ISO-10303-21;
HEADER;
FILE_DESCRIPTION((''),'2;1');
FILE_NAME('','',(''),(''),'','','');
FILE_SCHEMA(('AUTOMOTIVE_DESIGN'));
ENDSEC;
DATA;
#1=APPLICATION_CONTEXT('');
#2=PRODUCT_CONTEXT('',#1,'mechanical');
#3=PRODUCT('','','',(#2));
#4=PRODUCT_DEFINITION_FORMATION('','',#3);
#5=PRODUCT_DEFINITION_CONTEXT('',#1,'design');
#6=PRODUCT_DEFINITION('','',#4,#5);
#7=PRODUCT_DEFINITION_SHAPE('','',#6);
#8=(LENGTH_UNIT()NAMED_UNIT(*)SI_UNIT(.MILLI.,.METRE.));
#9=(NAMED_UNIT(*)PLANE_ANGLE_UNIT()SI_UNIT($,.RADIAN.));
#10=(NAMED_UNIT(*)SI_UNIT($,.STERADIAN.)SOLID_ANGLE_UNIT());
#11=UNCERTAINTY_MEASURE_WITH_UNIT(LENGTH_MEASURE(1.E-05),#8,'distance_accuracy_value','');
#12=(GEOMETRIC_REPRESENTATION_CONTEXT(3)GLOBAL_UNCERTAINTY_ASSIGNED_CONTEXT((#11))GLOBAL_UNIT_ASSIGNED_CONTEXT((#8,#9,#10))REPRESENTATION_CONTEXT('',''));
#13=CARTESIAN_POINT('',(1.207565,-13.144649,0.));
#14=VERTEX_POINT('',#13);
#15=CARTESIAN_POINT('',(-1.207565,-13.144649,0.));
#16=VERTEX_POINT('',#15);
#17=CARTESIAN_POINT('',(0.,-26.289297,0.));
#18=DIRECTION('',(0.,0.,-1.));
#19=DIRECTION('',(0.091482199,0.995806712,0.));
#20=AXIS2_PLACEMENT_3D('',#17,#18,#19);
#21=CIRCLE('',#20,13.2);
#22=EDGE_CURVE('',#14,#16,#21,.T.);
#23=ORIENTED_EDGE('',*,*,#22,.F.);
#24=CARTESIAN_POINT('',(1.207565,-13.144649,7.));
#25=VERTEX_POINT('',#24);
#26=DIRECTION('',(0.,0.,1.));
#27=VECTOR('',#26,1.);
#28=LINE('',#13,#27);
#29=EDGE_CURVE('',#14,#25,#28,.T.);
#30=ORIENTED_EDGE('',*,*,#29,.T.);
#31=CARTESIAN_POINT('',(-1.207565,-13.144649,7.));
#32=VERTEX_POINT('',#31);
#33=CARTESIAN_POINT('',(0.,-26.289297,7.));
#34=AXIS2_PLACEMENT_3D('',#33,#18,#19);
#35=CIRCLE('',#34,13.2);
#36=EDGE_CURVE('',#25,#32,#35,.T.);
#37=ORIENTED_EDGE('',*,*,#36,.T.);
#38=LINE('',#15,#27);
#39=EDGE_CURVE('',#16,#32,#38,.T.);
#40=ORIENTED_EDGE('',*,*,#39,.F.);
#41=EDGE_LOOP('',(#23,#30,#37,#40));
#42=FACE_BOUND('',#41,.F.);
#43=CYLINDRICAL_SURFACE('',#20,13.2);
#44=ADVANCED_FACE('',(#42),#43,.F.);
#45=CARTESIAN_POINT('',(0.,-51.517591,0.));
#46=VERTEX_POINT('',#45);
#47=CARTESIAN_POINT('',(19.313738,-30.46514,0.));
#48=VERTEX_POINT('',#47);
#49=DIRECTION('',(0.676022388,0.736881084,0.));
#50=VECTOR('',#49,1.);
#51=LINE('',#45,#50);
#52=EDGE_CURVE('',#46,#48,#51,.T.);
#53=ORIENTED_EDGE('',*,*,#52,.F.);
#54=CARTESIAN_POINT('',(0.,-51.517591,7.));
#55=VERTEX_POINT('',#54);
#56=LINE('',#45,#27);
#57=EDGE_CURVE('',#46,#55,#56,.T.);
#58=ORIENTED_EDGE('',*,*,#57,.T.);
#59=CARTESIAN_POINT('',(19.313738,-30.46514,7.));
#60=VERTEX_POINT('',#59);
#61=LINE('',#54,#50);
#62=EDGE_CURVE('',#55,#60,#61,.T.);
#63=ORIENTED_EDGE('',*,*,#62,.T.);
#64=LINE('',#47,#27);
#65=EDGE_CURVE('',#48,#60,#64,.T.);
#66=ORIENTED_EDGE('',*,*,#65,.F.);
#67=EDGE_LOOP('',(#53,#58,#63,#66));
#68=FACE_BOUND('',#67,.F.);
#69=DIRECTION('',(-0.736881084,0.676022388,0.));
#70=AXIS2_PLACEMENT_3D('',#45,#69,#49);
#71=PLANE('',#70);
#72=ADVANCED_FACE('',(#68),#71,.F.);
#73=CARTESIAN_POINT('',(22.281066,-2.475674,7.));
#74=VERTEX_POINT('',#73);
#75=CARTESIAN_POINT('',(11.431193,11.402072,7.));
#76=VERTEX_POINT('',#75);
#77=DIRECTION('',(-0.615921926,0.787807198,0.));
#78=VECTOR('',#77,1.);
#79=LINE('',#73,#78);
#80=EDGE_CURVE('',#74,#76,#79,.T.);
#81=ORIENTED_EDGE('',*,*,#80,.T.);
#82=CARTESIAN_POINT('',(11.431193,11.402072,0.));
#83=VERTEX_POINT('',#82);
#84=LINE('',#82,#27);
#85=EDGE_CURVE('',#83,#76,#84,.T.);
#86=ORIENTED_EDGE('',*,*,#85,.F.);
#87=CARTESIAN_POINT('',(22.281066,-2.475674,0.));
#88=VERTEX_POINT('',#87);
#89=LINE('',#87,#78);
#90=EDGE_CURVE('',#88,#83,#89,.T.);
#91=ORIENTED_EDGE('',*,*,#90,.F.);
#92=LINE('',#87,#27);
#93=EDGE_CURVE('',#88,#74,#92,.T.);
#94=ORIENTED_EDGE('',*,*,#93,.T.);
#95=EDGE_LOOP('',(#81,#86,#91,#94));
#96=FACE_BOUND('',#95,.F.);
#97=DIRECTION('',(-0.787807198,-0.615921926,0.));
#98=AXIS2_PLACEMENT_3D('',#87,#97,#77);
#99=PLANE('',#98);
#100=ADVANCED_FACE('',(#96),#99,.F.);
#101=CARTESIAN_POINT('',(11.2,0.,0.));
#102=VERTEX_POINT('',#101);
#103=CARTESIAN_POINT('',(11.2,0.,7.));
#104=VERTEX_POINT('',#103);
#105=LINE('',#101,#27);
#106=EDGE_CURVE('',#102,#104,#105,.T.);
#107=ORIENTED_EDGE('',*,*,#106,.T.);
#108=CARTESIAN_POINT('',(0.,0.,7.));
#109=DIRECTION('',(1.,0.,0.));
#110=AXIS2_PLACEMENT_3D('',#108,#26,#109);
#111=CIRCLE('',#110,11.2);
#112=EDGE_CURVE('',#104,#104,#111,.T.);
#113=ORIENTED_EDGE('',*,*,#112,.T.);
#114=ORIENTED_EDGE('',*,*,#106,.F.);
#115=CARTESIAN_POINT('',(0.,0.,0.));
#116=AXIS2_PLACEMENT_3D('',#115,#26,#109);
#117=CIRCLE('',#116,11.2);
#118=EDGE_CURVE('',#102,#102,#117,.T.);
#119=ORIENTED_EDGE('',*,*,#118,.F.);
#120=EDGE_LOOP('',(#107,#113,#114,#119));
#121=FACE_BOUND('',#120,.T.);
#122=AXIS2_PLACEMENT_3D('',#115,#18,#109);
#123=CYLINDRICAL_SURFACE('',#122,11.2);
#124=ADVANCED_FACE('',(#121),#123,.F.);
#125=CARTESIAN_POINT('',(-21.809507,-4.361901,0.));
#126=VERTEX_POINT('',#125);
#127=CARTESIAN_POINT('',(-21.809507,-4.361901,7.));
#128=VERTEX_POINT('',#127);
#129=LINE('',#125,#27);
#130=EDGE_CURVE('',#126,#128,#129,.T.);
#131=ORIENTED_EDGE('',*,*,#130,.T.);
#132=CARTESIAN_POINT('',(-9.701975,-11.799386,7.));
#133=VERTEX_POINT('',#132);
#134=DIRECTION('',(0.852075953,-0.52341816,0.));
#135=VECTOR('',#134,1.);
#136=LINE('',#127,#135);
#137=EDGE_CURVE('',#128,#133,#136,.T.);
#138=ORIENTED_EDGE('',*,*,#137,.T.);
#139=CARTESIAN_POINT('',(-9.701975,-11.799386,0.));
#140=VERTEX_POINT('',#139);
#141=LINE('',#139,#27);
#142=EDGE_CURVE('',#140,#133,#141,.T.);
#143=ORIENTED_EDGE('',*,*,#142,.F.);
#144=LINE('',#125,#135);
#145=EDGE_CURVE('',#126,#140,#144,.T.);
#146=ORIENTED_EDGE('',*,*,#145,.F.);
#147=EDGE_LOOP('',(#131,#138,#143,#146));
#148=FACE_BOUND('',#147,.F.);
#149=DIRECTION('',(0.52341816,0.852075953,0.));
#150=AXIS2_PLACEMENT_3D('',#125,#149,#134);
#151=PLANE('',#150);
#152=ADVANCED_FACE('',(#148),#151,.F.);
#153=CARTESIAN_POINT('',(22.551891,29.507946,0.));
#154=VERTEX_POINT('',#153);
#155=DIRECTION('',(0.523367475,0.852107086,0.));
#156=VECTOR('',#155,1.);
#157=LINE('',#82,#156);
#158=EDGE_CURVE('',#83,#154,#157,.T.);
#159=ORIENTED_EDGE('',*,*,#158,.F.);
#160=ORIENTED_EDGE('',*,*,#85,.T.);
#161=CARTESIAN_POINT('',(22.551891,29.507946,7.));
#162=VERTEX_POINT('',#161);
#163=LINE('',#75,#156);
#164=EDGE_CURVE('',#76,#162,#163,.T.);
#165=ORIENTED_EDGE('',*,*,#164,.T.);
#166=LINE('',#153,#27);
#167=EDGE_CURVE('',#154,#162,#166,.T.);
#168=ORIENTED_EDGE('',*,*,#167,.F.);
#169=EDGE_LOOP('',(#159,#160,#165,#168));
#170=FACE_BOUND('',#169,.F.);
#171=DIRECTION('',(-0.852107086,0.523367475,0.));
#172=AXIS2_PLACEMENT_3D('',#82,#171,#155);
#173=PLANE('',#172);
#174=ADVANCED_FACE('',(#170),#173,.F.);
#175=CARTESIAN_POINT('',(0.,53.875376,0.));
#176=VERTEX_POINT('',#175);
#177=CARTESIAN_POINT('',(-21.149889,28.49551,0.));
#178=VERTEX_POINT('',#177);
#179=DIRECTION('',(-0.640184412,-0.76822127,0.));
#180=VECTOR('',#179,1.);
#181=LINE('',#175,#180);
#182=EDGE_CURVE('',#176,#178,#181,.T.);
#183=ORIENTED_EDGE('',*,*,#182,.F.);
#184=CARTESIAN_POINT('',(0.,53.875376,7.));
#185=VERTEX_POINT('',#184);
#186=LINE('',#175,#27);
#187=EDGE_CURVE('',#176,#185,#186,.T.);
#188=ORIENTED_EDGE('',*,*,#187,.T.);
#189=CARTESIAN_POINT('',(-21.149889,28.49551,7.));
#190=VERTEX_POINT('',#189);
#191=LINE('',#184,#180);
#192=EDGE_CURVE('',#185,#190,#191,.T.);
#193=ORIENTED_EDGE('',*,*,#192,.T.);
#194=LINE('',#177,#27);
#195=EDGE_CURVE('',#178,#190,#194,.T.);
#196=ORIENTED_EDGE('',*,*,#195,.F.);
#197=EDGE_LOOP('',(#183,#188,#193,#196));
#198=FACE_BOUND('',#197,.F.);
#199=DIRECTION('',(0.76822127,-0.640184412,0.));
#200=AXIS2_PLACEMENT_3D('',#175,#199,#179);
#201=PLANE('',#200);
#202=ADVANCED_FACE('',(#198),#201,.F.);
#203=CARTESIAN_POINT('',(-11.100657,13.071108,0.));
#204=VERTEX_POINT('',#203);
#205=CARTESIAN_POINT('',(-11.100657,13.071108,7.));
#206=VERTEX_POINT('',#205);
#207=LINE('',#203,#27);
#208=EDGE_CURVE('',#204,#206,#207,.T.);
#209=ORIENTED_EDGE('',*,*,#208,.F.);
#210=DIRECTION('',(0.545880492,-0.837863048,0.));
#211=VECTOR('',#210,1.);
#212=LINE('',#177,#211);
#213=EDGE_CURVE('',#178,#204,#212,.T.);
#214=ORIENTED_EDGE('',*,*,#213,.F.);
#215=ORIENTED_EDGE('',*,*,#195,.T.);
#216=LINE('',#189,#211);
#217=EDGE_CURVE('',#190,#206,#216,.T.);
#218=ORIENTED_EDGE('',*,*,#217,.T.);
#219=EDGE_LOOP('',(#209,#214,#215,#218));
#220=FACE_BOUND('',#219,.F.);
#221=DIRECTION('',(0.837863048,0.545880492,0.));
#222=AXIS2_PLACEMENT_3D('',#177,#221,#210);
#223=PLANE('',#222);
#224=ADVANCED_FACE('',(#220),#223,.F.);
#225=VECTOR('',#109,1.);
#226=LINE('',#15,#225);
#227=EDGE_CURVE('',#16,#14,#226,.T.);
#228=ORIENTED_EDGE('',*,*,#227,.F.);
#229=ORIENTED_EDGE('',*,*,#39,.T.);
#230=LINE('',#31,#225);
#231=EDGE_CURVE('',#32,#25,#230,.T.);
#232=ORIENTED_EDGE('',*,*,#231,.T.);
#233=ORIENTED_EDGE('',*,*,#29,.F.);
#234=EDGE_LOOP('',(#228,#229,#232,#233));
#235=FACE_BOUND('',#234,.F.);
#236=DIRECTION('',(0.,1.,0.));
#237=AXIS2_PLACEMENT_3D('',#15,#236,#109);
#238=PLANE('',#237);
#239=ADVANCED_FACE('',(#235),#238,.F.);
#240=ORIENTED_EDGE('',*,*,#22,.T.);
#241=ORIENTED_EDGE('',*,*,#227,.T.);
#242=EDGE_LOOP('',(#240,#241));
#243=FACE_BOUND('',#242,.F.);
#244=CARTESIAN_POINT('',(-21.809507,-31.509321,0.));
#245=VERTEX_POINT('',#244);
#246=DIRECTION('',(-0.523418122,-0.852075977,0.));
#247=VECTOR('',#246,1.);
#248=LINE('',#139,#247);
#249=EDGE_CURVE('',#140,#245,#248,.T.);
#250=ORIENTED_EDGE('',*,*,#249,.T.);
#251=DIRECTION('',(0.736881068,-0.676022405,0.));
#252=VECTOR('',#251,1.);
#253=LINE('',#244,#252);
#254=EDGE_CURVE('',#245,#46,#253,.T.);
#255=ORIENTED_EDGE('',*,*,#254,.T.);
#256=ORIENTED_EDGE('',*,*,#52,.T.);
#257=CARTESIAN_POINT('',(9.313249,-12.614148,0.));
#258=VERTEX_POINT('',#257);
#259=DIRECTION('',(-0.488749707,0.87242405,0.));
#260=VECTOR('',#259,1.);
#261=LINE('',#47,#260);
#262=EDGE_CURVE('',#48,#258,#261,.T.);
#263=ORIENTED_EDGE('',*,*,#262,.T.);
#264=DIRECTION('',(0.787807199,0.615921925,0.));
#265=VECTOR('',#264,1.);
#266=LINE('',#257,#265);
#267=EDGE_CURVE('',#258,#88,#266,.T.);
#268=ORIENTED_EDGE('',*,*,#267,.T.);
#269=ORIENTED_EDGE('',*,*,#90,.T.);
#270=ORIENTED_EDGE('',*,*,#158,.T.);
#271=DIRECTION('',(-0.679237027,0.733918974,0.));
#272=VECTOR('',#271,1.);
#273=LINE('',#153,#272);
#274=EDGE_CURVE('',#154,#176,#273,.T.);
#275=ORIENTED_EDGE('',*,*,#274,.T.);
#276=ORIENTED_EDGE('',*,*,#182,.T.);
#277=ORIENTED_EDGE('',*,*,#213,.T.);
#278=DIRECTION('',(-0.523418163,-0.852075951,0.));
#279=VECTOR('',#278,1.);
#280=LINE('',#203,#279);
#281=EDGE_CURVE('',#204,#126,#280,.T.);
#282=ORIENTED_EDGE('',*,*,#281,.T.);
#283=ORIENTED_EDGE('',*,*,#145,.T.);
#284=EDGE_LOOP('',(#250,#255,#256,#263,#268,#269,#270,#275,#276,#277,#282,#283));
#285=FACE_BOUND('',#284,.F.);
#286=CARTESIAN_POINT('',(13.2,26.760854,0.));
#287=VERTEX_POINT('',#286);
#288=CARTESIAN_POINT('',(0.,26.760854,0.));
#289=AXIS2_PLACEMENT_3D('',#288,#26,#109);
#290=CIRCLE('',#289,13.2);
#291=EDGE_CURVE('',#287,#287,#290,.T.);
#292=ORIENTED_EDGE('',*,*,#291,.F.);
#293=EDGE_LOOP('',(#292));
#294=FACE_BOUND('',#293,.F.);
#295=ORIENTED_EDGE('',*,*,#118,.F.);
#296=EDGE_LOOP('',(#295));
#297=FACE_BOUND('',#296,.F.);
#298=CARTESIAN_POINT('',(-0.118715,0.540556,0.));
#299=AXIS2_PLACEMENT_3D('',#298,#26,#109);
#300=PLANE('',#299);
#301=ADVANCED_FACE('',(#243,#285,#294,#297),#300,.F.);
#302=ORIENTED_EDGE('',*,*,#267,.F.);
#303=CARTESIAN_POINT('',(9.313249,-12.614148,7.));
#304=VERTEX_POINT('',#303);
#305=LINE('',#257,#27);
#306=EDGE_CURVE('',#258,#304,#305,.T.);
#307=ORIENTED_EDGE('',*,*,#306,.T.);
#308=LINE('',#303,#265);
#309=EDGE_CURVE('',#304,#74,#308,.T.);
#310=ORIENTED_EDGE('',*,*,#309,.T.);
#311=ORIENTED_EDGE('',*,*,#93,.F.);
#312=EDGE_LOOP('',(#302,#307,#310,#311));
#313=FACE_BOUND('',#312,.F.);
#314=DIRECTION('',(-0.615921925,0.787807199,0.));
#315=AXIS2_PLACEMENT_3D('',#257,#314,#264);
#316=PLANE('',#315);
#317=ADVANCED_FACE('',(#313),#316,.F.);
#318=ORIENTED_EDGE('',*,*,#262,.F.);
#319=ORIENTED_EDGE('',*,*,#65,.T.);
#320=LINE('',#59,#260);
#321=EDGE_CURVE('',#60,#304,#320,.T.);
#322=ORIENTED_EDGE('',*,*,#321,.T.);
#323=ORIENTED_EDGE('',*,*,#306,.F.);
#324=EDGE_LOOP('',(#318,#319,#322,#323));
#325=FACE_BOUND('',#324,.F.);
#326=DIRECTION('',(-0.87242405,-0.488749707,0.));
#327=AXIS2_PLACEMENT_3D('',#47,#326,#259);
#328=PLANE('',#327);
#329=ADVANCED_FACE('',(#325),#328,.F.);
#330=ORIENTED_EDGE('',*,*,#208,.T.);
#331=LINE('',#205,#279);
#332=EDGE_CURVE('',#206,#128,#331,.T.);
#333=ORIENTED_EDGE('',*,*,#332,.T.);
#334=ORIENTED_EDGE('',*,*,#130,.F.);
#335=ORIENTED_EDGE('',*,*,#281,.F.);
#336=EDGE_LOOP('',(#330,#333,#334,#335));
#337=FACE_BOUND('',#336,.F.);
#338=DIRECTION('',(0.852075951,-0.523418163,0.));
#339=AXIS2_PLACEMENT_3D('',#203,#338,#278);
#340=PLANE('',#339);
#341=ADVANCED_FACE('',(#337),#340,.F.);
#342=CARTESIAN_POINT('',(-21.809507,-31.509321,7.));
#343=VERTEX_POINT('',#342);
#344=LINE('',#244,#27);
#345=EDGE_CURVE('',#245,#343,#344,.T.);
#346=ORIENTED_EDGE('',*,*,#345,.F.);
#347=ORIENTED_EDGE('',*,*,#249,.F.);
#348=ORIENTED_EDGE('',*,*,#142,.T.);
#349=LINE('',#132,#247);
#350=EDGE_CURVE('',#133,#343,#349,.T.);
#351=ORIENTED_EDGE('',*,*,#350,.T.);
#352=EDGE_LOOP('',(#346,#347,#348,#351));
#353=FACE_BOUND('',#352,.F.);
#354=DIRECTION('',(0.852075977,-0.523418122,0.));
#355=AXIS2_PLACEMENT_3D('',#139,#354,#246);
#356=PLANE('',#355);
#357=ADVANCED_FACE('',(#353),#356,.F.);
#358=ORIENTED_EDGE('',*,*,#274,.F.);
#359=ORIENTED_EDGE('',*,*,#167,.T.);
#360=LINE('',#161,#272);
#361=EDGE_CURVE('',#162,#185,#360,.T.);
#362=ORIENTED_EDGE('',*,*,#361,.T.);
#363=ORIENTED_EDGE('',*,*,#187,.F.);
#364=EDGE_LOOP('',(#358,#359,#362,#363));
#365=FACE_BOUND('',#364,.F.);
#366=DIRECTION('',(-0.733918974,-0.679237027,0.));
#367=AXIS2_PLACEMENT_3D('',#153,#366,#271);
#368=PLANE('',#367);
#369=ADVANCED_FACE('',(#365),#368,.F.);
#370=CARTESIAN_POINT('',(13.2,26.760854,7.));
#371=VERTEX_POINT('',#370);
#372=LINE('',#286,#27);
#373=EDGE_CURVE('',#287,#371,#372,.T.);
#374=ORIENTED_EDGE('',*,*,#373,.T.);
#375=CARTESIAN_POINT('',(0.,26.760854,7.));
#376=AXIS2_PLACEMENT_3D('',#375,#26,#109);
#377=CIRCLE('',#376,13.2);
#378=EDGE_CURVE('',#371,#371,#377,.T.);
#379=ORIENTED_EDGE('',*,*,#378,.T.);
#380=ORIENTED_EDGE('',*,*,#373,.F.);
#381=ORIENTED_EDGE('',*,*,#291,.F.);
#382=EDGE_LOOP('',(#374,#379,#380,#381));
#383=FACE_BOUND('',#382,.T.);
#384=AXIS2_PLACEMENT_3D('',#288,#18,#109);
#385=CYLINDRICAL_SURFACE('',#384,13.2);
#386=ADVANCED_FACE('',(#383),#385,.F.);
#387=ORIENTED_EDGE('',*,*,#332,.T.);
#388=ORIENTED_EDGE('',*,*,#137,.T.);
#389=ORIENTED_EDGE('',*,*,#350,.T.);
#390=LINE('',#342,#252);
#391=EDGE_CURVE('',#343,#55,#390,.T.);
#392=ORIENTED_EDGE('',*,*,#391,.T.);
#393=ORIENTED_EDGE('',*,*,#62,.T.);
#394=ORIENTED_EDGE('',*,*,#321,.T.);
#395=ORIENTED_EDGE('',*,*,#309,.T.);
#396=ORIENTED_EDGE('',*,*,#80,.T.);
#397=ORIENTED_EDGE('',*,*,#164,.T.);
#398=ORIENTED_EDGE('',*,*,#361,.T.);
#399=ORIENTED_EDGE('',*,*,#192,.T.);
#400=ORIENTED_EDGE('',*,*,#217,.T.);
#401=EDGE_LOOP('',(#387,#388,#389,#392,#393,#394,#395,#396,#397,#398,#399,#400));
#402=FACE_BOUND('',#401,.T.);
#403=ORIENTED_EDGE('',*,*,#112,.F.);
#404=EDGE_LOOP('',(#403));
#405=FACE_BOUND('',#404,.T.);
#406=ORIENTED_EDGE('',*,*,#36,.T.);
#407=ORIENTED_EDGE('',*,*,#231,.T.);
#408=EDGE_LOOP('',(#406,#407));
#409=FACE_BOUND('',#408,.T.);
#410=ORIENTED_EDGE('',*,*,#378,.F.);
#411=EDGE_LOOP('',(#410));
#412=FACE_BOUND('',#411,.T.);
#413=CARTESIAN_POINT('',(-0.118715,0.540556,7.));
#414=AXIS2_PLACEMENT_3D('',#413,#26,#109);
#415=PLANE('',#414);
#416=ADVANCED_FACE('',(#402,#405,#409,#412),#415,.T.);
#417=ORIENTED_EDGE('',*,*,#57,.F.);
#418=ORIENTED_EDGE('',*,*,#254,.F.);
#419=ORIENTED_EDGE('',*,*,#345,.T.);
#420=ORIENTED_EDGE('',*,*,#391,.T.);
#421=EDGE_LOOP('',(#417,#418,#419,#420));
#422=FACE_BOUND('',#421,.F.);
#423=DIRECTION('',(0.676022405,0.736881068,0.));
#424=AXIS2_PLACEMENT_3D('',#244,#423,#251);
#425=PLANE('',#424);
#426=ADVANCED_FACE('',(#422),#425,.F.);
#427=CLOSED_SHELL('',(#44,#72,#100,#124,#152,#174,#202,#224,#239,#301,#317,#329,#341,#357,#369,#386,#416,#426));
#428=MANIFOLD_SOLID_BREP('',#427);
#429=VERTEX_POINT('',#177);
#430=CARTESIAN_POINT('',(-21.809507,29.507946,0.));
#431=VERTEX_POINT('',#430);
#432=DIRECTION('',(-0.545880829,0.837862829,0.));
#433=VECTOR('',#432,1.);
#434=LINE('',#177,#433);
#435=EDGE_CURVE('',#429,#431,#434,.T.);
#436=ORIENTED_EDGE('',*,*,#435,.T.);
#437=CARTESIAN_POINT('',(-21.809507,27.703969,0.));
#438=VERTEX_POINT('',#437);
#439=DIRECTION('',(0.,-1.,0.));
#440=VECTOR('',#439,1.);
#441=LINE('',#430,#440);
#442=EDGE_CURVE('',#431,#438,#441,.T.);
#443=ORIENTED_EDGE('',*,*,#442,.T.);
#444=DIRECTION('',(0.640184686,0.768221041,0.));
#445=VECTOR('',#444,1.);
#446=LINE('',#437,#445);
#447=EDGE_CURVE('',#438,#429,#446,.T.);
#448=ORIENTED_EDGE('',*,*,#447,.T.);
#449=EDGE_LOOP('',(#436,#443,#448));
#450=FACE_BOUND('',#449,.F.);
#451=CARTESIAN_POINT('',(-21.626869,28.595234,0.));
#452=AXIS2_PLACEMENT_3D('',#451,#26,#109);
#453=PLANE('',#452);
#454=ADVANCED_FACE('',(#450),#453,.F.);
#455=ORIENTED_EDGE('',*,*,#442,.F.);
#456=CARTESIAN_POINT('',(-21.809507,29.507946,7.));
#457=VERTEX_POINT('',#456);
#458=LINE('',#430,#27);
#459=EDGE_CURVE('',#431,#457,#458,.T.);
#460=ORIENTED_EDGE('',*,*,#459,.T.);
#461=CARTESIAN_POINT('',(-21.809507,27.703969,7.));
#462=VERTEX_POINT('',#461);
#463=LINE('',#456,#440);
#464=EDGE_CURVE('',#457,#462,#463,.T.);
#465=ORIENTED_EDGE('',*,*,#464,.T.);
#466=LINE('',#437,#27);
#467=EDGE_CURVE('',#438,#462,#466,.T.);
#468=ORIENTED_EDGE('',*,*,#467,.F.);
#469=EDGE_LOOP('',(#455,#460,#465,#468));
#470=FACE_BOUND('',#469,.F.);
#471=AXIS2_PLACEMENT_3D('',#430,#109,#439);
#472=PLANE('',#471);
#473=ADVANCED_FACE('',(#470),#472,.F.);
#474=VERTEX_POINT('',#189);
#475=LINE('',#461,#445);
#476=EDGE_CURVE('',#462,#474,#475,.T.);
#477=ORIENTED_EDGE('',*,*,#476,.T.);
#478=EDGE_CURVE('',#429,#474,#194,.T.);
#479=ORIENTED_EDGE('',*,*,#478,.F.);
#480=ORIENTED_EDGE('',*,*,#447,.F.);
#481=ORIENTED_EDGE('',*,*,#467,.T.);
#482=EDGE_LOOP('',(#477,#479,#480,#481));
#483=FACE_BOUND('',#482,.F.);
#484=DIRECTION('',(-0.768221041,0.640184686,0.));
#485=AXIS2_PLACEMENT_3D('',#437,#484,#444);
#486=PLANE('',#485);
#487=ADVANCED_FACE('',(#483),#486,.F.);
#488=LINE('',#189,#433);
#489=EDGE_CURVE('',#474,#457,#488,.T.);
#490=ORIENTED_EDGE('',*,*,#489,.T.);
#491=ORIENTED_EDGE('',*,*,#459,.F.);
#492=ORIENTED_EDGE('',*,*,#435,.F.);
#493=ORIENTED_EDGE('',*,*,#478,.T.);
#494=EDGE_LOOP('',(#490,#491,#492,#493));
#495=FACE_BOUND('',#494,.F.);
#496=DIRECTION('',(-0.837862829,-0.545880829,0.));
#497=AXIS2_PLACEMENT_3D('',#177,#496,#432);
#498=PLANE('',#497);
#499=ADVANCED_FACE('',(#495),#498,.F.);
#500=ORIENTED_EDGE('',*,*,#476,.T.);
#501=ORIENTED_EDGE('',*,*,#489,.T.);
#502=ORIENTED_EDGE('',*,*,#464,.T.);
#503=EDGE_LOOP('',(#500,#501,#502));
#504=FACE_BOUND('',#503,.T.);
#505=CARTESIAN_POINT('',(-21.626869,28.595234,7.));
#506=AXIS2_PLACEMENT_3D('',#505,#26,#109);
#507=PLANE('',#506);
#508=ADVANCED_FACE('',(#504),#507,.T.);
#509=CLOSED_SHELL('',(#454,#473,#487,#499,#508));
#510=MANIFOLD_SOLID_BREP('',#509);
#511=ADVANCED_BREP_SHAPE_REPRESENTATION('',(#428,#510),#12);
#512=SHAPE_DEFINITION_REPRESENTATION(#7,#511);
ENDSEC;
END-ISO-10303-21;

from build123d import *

# Parameters (mm, degrees)
F0_R     = 11.2
F0_R_2   = 13.2
F1_DEPTH = 7


with BuildPart() as f1:
    # F0 (on Top) → F1 (new body)
    with BuildSketch(Plane.XY):
        Polygon((-21.149889, 28.49551), (-21.809507, 29.507946), (-21.809507, 27.703969), align=None)
        Polygon((0, 53.875376), (-21.149889, 28.49551), (-11.100657, 13.071108), (-21.809507, -4.361901), (-9.701975, -11.799386), (-21.809507, -31.509321), (0, -51.517591), (19.313738, -30.46514), (9.313249, -12.614148), (22.281066, -2.475674), (11.431193, 11.402072), (22.551891, 29.507946), align=None)
        with BuildLine():
            ThreePointArc((1.207565, -13.144649), (0, -39.489297), (-1.207565, -13.144649))
            Line((-1.207565, -13.144649), (1.207565, -13.144649))
        make_face(mode=Mode.SUBTRACT)
        Circle(F0_R, mode=Mode.SUBTRACT)
        with Locations((0, 26.760854)):
            Circle(F0_R_2, mode=Mode.SUBTRACT)
    extrude(amount=F1_DEPTH)


solid = f1.part
